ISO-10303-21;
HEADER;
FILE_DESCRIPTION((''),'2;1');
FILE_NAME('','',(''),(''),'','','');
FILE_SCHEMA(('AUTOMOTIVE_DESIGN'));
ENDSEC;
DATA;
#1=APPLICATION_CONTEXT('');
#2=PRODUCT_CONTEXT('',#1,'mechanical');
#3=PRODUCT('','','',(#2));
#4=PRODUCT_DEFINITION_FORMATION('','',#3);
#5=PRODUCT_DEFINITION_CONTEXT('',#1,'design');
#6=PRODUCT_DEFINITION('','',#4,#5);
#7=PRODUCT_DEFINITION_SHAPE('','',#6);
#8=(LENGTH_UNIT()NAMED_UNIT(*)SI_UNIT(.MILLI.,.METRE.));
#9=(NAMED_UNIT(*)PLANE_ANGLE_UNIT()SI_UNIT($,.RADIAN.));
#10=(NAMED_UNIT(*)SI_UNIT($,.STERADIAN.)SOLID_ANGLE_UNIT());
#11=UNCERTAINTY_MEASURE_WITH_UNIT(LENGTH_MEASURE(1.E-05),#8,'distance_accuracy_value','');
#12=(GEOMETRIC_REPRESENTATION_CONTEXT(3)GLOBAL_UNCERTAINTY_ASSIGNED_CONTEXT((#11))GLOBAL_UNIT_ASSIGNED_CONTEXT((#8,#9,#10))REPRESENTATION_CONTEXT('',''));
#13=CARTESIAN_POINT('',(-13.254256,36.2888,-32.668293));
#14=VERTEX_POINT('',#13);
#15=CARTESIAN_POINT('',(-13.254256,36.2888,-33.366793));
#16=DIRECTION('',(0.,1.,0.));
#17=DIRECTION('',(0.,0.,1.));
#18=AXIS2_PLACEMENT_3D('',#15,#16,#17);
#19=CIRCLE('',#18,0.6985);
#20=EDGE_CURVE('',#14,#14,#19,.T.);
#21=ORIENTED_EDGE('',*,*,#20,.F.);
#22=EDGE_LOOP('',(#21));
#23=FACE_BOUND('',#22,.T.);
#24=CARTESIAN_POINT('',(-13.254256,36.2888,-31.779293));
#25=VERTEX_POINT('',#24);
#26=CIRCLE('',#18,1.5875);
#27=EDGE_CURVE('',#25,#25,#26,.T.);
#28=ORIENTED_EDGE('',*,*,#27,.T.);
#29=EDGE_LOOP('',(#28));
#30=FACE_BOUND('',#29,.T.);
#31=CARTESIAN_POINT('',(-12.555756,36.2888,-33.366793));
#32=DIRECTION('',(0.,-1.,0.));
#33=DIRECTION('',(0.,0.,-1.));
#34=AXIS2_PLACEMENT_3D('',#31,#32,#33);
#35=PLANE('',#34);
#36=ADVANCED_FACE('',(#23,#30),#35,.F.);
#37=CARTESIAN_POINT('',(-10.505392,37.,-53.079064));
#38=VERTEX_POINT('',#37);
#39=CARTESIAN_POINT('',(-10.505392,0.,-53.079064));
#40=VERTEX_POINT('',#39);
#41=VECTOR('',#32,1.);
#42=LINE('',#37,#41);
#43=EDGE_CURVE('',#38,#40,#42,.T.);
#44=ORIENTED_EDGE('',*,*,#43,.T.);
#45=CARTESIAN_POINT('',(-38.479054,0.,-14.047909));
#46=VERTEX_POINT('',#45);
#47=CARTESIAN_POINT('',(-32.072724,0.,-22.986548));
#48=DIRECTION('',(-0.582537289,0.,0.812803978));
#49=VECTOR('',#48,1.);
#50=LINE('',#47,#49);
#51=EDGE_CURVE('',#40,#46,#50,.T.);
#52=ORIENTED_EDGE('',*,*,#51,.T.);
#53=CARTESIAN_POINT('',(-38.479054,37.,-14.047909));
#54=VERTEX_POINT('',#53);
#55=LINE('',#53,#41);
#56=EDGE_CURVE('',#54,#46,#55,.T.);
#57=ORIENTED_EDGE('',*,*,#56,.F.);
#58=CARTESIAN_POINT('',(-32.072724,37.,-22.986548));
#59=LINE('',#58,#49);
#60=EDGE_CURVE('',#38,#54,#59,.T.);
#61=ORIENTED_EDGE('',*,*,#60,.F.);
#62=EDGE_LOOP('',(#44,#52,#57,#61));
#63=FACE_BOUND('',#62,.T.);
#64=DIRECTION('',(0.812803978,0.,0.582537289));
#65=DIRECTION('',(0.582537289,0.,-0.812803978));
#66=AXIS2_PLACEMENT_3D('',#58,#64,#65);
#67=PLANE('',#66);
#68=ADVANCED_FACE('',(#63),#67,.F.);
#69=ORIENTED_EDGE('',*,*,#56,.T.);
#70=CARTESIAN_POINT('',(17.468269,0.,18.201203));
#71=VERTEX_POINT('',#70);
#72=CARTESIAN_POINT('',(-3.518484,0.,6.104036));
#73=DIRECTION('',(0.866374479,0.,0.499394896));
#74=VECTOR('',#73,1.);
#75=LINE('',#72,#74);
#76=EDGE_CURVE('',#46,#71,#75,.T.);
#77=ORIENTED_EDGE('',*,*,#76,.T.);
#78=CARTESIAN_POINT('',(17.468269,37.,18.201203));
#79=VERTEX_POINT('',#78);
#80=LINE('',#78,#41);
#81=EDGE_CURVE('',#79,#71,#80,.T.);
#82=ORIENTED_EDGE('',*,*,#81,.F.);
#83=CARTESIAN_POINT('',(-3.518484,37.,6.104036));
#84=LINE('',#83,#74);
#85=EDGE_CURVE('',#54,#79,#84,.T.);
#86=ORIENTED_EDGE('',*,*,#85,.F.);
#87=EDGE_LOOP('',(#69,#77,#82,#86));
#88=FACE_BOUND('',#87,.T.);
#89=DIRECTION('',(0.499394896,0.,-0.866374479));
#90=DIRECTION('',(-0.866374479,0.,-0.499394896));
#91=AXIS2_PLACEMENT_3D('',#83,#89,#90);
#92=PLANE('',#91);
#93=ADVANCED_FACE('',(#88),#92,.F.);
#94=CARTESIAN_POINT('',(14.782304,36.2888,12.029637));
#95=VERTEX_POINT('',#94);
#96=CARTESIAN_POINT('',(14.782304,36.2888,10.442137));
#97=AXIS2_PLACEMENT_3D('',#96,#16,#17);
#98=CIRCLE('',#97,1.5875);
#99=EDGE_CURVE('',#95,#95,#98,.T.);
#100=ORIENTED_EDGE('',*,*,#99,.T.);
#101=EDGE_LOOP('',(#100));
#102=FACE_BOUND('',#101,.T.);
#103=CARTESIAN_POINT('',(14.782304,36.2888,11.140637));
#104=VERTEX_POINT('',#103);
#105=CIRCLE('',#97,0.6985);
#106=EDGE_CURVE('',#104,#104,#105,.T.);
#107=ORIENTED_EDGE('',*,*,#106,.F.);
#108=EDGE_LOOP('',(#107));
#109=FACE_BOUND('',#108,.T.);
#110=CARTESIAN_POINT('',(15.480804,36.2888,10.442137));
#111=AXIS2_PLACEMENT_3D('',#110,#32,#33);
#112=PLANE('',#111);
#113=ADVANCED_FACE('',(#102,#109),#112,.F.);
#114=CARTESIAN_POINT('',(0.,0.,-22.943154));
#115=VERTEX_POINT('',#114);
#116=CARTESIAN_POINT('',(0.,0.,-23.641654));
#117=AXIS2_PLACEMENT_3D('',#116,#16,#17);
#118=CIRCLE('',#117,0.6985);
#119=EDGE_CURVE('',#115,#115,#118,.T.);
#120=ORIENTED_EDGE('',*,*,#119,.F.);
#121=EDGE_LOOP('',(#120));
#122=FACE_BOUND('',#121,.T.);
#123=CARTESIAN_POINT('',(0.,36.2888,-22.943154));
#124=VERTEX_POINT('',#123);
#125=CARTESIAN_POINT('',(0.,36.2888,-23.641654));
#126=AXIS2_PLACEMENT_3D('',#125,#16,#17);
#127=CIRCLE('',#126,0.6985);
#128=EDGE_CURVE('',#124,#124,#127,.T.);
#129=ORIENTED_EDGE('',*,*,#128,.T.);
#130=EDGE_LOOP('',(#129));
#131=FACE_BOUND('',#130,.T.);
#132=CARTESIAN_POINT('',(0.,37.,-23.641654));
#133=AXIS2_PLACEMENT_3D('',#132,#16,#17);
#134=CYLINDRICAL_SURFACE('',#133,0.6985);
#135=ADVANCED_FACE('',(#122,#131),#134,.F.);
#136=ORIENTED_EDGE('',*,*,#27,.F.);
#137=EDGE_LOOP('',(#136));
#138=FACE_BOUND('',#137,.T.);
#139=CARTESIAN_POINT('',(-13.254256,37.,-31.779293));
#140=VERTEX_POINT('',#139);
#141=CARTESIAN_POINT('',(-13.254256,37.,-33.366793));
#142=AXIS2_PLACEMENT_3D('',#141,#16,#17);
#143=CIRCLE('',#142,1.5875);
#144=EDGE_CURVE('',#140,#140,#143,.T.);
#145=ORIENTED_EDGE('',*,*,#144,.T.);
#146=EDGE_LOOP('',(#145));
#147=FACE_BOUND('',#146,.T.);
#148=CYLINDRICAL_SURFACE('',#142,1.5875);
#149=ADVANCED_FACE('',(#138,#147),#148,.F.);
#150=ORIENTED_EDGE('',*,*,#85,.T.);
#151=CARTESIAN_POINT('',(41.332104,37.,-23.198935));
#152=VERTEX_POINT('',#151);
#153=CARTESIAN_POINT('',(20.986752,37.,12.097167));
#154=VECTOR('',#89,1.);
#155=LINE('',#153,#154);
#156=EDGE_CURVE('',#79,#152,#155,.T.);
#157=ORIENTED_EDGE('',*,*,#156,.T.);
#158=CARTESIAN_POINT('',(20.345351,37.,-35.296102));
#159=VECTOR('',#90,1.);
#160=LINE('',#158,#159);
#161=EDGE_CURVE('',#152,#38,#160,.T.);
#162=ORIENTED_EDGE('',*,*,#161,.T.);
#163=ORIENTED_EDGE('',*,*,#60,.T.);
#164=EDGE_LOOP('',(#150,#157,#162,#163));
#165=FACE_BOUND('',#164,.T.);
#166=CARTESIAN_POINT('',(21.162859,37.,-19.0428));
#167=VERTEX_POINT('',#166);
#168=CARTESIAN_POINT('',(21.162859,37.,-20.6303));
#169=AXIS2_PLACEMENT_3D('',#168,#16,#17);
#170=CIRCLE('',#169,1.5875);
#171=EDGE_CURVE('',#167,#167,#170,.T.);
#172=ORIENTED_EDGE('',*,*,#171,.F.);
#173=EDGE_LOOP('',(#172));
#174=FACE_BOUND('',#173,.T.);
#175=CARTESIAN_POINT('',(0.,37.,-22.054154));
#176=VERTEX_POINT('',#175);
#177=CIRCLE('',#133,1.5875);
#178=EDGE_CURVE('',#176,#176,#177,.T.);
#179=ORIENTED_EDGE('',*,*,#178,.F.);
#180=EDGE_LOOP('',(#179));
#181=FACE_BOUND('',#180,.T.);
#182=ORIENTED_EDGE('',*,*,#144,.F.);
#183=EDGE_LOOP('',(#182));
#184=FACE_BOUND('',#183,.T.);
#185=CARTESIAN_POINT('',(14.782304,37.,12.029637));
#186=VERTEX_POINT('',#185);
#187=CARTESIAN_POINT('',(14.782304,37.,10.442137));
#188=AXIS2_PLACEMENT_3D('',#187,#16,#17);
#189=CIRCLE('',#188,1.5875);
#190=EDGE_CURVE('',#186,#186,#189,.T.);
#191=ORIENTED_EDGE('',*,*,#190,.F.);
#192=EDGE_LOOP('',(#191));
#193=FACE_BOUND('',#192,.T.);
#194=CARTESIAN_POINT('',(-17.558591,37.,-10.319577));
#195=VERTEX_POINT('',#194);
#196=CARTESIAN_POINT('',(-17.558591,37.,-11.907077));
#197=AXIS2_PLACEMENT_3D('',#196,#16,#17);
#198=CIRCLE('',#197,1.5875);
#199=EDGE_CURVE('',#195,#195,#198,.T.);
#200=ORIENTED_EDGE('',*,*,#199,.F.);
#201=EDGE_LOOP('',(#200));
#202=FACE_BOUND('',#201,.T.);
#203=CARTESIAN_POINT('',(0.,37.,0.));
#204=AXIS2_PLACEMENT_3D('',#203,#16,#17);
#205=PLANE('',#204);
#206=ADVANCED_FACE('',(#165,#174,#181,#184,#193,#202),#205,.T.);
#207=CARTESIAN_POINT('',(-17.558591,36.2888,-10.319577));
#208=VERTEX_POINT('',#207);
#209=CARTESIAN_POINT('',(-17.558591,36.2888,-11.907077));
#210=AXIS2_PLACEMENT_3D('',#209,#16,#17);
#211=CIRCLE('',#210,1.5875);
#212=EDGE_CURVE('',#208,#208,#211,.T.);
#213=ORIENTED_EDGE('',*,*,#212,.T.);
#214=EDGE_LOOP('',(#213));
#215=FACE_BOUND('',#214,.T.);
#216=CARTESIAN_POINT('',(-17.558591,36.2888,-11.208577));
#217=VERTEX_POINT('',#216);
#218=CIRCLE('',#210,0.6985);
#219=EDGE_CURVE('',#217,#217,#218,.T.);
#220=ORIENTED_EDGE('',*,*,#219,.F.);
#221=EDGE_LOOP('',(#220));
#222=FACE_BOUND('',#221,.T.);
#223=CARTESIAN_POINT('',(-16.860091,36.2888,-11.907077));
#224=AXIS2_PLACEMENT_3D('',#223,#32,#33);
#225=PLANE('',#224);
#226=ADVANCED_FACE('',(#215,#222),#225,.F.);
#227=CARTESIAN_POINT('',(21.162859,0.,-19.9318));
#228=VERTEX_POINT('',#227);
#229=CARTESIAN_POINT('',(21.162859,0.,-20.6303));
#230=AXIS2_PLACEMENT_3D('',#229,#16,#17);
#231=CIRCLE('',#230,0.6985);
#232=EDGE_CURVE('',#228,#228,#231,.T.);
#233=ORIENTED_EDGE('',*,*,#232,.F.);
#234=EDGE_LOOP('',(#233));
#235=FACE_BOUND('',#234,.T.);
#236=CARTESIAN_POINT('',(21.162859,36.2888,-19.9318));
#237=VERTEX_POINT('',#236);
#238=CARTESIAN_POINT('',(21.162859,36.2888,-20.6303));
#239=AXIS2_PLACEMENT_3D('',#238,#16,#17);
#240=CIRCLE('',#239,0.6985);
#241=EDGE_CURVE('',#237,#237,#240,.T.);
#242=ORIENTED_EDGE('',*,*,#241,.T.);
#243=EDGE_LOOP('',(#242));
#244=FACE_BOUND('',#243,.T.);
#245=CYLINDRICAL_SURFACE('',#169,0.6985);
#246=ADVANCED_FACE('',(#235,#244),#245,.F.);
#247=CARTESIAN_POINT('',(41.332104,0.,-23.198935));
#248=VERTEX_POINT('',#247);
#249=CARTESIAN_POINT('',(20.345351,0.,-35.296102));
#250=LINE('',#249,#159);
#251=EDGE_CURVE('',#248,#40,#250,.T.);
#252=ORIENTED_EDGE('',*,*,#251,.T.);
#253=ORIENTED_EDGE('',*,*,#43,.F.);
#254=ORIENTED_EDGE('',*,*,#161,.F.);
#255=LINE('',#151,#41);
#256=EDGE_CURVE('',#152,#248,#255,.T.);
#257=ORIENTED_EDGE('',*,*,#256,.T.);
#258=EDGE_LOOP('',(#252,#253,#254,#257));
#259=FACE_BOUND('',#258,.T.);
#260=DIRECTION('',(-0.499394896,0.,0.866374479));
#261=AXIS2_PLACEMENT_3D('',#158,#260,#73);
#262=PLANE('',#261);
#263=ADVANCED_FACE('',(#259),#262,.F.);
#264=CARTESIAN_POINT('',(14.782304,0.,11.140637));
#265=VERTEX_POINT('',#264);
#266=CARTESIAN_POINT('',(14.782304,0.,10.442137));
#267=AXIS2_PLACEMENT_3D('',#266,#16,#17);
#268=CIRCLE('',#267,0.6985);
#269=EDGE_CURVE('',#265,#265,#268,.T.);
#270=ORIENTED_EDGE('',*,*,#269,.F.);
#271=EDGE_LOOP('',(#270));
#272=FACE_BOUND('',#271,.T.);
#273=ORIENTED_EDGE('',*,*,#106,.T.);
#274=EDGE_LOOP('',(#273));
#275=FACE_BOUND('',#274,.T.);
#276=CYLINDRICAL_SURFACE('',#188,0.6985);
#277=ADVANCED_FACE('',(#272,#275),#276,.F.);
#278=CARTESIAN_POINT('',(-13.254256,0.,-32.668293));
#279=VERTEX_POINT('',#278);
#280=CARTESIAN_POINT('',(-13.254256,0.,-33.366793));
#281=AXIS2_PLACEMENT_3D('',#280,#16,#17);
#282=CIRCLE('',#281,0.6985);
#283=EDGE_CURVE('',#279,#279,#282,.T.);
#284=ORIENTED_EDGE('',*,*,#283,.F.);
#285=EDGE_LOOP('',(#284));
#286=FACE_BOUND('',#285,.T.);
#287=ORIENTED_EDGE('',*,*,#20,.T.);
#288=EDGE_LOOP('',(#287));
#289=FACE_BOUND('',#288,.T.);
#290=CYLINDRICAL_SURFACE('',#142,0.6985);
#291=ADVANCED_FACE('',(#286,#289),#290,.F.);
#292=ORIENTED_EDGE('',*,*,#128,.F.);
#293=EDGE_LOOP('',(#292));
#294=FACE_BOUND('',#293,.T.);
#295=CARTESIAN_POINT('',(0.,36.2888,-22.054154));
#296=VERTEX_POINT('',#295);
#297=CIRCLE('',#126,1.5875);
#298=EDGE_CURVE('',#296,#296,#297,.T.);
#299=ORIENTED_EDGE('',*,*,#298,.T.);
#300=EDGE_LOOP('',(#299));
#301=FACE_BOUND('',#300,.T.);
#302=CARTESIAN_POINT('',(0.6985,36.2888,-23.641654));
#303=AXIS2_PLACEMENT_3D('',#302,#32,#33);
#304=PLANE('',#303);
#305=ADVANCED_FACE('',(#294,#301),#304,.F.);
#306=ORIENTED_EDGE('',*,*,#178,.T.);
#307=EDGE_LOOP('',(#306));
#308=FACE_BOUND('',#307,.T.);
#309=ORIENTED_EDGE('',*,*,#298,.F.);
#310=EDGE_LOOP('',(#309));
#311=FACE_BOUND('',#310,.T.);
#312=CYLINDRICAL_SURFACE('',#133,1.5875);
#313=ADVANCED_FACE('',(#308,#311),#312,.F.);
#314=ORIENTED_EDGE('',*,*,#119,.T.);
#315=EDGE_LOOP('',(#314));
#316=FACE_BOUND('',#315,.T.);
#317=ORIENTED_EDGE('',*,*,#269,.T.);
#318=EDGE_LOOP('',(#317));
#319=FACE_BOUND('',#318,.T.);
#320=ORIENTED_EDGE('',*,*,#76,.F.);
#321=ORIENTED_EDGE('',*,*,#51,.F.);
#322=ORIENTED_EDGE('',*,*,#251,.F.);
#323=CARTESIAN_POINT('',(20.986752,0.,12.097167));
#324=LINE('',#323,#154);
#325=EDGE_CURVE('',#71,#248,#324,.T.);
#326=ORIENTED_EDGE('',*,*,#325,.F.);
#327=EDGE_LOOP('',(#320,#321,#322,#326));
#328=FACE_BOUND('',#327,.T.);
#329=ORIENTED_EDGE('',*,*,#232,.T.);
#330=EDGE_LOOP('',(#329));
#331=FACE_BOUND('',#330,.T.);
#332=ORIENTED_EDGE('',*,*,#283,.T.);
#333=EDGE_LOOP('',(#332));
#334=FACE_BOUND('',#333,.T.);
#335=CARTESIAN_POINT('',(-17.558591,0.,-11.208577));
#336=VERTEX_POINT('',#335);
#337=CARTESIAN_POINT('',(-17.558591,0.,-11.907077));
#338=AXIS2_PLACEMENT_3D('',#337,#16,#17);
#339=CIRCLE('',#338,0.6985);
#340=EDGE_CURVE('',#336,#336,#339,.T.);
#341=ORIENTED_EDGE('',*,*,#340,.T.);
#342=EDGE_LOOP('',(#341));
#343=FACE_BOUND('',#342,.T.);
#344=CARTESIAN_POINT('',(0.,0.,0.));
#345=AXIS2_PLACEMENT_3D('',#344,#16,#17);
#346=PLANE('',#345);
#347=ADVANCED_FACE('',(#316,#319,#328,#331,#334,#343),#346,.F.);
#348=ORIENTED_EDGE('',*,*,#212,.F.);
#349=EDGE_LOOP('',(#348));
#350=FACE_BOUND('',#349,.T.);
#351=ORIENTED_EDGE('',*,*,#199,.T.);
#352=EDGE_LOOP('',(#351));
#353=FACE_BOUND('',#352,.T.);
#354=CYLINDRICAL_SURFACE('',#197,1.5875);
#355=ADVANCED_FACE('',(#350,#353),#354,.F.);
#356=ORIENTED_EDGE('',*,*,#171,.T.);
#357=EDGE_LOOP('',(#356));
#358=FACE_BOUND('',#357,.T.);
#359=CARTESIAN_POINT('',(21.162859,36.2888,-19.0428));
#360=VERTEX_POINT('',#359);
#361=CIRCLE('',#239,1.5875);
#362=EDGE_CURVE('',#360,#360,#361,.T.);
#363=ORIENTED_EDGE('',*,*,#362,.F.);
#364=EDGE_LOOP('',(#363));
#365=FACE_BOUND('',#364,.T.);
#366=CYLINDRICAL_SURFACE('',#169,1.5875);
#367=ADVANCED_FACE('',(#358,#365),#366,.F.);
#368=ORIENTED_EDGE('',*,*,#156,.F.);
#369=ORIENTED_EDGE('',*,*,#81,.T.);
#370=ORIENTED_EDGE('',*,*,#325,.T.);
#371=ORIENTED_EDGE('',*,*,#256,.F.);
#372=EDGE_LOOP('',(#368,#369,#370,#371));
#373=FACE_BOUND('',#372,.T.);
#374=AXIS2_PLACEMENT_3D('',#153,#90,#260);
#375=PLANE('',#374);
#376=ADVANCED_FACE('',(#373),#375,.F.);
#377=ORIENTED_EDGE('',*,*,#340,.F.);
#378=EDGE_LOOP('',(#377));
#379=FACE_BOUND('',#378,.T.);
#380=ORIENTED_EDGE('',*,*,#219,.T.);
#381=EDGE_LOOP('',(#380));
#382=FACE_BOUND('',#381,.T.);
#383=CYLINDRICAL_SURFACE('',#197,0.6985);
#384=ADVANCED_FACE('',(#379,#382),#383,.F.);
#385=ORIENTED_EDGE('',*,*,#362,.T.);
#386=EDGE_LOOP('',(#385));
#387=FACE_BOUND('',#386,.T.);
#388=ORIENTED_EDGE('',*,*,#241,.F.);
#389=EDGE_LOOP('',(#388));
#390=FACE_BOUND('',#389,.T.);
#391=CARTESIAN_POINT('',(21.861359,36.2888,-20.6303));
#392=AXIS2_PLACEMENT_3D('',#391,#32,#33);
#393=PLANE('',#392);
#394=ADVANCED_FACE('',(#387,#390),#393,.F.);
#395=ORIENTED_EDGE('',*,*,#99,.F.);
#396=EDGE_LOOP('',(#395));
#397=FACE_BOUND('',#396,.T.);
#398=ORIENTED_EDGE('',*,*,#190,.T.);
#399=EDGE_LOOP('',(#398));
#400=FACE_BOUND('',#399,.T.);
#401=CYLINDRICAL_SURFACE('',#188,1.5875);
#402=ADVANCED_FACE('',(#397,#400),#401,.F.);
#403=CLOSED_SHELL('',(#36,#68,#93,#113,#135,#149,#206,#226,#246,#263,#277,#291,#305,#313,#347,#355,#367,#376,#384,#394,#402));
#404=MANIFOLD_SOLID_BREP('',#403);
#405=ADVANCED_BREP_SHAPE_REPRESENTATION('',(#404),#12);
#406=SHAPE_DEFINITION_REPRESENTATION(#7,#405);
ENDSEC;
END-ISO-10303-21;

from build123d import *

# Parameters (mm, degrees)
BOSS_EXTRUDE1_DEPTH                                 = 37
CBORE_FOR_00_BINDING_HEAD_MACHINE_SCREW_D           = 1.397
CBORE_FOR_00_BINDING_HEAD_MACHINE_SCREW_CBORE_D     = 3.175
CBORE_FOR_00_BINDING_HEAD_MACHINE_SCREW_CBORE_DEPTH = 0.7112


with BuildPart() as part:
    # Sketch1 → Boss-Extrude1 (new body)
    with BuildSketch(Plane(origin=(0, 0, 0), x_dir=(1, 0, 0), z_dir=(0, 1, 0))):
        Polygon((-10.505392469, 53.079063556), (-38.479053813, 14.047908535), (17.468268874, -18.201203232), (20.541085549, -12.870331878), (41.33210383, 23.198934685), align=None)
    extrude(amount=BOSS_EXTRUDE1_DEPTH)

    # CBORE for #00 Binding Head Machine Screw1 (through all)
    with Locations(Plane(origin=(0, 37, 0), x_dir=(1, 0, 0), z_dir=(0, 1, 0))):
        with Locations((14.7823041, -10.442137487), (0, 23.641654167), (21.162859004, 20.630300354), (-17.558591277, 11.907077475), (-13.254255948, 33.366792883)):
            CounterBoreHole(CBORE_FOR_00_BINDING_HEAD_MACHINE_SCREW_D / 2, CBORE_FOR_00_BINDING_HEAD_MACHINE_SCREW_CBORE_D / 2, CBORE_FOR_00_BINDING_HEAD_MACHINE_SCREW_CBORE_DEPTH)


solid = part.part
